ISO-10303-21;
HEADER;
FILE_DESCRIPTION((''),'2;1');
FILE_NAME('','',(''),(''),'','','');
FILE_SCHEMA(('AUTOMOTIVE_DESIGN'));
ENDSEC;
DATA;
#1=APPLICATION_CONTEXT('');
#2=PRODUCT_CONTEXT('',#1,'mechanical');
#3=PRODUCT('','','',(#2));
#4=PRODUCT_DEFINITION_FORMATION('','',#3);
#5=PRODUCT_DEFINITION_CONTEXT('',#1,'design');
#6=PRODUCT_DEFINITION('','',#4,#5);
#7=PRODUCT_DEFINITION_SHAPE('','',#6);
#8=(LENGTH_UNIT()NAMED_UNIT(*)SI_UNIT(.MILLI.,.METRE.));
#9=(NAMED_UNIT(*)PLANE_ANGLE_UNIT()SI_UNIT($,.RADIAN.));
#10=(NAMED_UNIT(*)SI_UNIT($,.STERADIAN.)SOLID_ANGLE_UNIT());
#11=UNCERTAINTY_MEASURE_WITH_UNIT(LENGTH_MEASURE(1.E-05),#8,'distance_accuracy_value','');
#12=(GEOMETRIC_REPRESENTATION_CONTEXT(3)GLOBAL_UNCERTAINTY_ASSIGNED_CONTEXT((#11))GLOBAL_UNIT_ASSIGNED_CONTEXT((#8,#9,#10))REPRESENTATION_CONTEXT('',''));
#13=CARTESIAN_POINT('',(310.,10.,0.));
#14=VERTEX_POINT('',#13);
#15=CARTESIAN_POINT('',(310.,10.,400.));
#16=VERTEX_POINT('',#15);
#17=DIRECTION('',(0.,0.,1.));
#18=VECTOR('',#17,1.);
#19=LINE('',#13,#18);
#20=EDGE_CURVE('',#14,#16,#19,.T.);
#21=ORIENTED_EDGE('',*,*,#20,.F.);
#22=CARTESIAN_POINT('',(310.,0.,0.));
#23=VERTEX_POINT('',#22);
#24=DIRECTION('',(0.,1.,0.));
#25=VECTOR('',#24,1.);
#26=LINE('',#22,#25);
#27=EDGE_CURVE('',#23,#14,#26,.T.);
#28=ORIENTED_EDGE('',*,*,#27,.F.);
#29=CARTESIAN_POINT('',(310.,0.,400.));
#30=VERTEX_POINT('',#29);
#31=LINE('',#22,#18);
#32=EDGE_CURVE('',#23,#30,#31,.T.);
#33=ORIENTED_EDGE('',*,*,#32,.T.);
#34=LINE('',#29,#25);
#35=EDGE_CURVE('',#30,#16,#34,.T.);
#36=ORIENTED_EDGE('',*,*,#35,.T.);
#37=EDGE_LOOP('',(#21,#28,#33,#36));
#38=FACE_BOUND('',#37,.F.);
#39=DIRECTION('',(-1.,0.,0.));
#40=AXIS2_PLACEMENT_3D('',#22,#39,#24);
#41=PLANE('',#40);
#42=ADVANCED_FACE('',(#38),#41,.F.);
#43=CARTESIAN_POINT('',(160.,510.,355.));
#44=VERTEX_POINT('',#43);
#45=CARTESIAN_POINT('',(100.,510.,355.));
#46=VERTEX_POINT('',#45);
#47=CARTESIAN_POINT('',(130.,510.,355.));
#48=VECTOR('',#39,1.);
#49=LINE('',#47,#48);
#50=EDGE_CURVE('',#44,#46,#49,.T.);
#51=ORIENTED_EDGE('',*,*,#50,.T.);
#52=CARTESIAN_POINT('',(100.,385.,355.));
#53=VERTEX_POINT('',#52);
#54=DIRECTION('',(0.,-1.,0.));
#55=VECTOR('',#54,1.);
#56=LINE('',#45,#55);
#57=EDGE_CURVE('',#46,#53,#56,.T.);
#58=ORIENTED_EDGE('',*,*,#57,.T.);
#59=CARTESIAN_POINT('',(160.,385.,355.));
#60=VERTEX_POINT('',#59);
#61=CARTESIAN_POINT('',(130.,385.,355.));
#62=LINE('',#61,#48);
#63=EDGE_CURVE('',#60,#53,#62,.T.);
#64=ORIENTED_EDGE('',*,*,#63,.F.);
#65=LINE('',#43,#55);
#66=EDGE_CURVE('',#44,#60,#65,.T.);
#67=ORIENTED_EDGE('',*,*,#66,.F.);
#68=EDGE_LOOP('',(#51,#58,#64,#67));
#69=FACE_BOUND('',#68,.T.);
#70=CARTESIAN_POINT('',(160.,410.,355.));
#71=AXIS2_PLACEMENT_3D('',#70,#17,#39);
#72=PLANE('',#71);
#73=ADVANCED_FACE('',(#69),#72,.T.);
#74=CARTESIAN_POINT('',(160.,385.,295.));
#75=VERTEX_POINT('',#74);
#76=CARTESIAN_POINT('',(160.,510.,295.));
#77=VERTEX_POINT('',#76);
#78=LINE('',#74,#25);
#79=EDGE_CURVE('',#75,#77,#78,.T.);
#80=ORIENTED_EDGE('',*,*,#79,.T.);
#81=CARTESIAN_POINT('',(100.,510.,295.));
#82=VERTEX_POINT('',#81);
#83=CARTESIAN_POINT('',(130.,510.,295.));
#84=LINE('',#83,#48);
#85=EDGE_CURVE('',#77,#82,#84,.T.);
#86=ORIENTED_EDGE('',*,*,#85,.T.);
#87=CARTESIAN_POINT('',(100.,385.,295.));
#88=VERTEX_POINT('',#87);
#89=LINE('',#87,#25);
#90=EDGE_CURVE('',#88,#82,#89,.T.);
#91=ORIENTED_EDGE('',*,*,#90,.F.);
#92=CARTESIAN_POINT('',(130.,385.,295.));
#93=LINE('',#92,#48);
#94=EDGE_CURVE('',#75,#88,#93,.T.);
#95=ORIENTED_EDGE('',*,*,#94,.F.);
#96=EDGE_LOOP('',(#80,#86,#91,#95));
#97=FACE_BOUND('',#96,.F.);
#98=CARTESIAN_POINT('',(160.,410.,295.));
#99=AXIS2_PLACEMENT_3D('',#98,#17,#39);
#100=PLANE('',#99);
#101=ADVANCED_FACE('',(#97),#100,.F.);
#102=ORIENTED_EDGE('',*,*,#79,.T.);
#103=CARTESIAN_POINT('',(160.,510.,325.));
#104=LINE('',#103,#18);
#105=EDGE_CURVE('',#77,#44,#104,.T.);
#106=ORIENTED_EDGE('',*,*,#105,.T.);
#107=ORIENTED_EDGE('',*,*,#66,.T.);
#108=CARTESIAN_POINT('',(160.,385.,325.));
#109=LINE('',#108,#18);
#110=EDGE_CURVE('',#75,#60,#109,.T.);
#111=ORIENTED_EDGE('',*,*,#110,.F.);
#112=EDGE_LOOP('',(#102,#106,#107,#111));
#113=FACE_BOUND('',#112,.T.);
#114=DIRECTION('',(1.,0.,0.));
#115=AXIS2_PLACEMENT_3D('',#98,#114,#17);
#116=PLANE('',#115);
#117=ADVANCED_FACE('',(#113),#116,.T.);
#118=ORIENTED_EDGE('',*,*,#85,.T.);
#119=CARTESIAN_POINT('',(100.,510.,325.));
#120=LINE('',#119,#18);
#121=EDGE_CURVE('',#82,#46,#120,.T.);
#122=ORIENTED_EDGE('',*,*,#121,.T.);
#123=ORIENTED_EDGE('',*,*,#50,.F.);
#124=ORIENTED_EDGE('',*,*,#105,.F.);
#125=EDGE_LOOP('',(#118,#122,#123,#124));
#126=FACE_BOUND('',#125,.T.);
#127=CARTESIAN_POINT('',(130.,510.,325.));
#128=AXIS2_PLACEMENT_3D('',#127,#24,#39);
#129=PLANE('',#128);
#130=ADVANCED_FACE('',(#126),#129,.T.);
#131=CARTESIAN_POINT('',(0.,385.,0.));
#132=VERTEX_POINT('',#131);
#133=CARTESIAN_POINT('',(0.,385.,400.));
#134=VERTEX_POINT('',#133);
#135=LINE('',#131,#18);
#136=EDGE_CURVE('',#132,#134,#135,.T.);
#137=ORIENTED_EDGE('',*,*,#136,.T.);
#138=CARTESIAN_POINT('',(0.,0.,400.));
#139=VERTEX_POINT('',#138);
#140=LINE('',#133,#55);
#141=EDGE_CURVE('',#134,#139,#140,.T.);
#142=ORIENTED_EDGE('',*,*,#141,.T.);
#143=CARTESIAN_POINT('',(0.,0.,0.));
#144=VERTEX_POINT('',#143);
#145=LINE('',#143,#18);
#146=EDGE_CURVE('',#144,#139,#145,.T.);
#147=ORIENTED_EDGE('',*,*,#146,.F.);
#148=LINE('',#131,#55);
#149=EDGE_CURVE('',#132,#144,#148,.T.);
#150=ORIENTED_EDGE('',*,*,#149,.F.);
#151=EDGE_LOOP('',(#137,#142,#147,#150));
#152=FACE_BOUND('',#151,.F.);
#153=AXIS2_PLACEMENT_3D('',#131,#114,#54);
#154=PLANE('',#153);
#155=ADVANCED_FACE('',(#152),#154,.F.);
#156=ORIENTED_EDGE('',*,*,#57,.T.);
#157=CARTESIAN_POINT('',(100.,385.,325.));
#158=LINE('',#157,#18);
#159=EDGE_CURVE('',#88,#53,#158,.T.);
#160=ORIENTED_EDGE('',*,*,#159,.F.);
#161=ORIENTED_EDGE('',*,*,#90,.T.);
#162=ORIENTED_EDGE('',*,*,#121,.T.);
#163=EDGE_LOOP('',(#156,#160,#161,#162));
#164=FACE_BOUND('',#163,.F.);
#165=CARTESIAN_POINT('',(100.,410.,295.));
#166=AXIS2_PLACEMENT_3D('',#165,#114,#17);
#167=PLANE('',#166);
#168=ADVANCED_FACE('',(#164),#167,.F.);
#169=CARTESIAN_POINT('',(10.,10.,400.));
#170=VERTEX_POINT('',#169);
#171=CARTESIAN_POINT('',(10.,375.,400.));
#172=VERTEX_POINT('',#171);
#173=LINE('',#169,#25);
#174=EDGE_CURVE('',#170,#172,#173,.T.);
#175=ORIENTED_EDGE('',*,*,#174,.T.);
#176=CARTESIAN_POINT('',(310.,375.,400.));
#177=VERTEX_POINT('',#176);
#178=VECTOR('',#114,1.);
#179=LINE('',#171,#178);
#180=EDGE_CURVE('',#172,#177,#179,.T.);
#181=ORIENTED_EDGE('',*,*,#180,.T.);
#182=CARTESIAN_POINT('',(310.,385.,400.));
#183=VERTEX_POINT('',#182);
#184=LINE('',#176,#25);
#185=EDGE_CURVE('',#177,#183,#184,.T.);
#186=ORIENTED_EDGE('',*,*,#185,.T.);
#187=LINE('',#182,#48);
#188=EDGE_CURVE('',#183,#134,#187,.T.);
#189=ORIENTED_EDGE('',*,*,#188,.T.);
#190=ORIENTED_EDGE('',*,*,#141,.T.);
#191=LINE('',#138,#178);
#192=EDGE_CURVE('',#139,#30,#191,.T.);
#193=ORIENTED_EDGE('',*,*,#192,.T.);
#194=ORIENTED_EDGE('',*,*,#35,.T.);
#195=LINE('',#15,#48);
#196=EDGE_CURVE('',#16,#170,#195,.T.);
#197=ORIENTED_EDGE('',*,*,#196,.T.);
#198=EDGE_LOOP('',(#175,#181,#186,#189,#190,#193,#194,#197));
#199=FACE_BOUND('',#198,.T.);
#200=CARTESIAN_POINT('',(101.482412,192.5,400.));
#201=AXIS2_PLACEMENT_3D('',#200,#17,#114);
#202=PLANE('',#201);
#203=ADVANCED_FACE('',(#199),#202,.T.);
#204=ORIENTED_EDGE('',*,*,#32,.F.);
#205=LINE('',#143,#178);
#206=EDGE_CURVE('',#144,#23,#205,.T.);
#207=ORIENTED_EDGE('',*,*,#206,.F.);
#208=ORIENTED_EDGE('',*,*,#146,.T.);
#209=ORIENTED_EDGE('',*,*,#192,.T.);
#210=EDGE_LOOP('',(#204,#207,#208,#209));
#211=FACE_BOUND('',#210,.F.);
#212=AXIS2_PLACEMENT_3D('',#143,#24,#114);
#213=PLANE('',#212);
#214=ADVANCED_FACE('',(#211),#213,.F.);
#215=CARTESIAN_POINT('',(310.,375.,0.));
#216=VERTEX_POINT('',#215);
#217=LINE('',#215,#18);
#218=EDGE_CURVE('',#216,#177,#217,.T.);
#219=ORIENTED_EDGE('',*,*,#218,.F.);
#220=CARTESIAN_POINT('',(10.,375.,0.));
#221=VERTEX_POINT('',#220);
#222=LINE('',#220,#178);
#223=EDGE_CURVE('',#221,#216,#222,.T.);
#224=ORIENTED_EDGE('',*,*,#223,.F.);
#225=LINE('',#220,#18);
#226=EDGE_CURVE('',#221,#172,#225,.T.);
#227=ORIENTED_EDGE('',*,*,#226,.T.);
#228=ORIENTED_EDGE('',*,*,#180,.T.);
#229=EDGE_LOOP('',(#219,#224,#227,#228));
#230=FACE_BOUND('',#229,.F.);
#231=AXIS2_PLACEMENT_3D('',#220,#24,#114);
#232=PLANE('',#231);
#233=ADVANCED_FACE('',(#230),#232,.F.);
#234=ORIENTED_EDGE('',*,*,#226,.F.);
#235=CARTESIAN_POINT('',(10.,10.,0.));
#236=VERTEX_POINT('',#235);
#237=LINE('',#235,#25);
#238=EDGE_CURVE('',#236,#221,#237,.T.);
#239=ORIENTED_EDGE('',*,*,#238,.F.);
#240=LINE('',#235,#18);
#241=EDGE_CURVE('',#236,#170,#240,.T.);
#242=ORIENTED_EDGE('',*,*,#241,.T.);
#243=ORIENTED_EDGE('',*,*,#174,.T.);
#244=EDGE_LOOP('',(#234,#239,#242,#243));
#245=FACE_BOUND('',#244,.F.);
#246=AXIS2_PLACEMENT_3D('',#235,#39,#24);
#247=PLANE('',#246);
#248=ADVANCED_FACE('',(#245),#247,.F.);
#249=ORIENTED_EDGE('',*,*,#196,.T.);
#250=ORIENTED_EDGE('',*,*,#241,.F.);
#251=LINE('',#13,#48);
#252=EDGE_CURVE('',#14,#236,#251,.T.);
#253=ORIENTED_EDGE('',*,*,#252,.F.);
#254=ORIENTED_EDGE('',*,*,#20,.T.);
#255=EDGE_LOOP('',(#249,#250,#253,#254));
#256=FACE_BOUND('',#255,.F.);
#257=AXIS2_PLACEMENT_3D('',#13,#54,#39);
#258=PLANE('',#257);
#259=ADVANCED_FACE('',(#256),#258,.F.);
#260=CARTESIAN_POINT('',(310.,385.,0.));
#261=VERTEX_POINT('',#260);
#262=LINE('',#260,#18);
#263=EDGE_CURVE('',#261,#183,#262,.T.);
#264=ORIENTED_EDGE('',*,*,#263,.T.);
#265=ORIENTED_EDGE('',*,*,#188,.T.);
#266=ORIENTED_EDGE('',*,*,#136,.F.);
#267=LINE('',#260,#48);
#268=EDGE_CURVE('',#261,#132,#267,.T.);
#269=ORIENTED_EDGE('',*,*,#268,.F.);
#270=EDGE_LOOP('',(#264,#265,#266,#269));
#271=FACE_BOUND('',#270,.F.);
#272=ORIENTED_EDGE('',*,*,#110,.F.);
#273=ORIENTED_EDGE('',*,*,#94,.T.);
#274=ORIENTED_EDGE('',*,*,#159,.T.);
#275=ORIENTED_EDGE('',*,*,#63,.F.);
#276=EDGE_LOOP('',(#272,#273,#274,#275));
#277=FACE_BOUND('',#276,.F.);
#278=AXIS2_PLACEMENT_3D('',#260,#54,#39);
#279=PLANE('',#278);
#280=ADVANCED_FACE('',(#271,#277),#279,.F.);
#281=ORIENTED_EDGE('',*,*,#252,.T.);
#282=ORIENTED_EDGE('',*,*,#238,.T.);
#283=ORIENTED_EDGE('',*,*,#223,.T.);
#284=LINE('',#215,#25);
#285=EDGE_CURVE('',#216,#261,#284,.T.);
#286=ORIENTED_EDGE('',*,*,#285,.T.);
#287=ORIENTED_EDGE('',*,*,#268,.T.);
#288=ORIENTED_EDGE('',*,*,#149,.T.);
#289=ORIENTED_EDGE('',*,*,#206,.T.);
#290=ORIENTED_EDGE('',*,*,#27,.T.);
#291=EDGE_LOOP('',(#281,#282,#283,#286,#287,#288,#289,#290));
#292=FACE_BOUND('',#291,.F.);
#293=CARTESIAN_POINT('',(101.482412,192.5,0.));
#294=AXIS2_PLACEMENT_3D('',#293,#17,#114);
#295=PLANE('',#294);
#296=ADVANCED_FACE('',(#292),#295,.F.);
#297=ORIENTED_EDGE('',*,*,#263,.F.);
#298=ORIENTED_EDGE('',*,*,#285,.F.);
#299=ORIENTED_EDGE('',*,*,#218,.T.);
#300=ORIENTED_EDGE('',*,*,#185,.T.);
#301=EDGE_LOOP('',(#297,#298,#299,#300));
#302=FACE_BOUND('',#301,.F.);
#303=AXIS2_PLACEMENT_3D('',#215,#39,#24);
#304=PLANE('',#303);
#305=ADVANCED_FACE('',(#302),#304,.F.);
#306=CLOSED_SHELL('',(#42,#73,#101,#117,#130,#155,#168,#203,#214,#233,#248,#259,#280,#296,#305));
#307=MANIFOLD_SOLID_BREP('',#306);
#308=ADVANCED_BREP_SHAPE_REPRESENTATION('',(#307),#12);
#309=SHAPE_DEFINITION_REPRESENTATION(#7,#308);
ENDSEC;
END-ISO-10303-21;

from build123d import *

# Parameters (mm, degrees)
F1_DEPTH  = 400
F2_W      = 60
F2_H      = 60
F3_DEPTH  = 25
F3_FACE_W = 60
F3_FACE_H = 60
F4_DEPTH  = 100


with BuildPart() as f1:
    # F0 (on Top) → F1 (new body)
    with BuildSketch(Plane.XY):
        Polygon((0, 385), (0, 0), (310, 0), (310, 10), (10, 10), (10, 375), (310, 375), (310, 385), align=None)
    extrude(amount=F1_DEPTH)

    # F2 (on face) → F3 (join)
    with BuildSketch(Plane(origin=(0, 385, 0), x_dir=(-1, 0, 0), z_dir=(0, 1, 0))):
        with Locations((-130, 325)):
            Rectangle(F2_W, F2_H)
    extrude(amount=F3_DEPTH)

    # F3_face (on face) → F4 (join)
    with BuildSketch(Plane(origin=(130, 410, 325), x_dir=(-1, 0, 0), z_dir=(0, 1, 0))):
        Rectangle(F3_FACE_W, F3_FACE_H)
    extrude(amount=F4_DEPTH)


solid = f1.part
